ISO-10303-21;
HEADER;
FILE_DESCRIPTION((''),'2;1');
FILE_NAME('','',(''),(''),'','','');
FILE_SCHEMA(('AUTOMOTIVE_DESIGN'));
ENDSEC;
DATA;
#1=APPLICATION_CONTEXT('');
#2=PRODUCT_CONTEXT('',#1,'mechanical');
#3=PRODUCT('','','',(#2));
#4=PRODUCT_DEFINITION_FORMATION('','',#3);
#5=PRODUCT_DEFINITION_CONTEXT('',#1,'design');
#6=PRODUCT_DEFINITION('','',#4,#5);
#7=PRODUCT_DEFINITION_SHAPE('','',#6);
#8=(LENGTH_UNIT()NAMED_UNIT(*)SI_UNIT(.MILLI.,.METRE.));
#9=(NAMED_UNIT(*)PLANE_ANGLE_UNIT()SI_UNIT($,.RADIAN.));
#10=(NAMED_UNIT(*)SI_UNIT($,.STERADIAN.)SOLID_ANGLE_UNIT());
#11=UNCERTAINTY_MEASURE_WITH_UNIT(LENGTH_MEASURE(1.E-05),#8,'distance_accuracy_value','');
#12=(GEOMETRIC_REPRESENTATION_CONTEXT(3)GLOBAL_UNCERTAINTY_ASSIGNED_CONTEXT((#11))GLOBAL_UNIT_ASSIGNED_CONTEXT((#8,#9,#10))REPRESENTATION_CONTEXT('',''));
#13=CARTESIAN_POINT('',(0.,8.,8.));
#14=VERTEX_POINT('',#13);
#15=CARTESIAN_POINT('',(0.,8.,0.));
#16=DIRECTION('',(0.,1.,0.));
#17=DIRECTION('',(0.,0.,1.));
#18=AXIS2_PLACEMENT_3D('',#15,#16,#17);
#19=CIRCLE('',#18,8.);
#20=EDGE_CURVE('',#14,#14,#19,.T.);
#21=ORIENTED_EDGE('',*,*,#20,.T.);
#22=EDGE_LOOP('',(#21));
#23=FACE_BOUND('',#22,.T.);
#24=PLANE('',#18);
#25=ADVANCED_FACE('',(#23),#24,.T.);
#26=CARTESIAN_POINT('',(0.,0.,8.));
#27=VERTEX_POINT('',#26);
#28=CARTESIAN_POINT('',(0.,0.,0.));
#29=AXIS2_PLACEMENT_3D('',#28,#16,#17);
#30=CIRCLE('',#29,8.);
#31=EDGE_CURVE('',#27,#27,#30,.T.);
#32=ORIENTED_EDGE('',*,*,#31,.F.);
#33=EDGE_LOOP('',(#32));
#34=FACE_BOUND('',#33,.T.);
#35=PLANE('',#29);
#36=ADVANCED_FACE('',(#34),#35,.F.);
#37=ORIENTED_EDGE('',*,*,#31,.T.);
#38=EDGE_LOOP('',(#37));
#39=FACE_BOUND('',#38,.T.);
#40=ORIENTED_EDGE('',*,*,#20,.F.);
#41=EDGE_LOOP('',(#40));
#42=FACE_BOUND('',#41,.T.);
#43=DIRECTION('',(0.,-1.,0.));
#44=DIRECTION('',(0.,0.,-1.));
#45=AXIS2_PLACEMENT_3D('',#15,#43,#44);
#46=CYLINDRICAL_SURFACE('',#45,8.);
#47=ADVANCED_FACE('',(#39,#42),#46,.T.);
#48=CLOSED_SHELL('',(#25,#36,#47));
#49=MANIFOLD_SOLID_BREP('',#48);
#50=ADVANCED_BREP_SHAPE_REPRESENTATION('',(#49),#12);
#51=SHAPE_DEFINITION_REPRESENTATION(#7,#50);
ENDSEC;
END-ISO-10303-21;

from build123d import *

# Parameters (mm, degrees)
SKETCH1_R           = 8
BOSS_EXTRUDE1_DEPTH = 8


with BuildPart() as part:
    # Sketch1 → Boss-Extrude1 (new body)
    with BuildSketch(Plane(origin=(0, 0, 0), x_dir=(1, 0, 0), z_dir=(0, 1, 0))):
        Circle(SKETCH1_R)
    extrude(amount=BOSS_EXTRUDE1_DEPTH)


solid = part.part
